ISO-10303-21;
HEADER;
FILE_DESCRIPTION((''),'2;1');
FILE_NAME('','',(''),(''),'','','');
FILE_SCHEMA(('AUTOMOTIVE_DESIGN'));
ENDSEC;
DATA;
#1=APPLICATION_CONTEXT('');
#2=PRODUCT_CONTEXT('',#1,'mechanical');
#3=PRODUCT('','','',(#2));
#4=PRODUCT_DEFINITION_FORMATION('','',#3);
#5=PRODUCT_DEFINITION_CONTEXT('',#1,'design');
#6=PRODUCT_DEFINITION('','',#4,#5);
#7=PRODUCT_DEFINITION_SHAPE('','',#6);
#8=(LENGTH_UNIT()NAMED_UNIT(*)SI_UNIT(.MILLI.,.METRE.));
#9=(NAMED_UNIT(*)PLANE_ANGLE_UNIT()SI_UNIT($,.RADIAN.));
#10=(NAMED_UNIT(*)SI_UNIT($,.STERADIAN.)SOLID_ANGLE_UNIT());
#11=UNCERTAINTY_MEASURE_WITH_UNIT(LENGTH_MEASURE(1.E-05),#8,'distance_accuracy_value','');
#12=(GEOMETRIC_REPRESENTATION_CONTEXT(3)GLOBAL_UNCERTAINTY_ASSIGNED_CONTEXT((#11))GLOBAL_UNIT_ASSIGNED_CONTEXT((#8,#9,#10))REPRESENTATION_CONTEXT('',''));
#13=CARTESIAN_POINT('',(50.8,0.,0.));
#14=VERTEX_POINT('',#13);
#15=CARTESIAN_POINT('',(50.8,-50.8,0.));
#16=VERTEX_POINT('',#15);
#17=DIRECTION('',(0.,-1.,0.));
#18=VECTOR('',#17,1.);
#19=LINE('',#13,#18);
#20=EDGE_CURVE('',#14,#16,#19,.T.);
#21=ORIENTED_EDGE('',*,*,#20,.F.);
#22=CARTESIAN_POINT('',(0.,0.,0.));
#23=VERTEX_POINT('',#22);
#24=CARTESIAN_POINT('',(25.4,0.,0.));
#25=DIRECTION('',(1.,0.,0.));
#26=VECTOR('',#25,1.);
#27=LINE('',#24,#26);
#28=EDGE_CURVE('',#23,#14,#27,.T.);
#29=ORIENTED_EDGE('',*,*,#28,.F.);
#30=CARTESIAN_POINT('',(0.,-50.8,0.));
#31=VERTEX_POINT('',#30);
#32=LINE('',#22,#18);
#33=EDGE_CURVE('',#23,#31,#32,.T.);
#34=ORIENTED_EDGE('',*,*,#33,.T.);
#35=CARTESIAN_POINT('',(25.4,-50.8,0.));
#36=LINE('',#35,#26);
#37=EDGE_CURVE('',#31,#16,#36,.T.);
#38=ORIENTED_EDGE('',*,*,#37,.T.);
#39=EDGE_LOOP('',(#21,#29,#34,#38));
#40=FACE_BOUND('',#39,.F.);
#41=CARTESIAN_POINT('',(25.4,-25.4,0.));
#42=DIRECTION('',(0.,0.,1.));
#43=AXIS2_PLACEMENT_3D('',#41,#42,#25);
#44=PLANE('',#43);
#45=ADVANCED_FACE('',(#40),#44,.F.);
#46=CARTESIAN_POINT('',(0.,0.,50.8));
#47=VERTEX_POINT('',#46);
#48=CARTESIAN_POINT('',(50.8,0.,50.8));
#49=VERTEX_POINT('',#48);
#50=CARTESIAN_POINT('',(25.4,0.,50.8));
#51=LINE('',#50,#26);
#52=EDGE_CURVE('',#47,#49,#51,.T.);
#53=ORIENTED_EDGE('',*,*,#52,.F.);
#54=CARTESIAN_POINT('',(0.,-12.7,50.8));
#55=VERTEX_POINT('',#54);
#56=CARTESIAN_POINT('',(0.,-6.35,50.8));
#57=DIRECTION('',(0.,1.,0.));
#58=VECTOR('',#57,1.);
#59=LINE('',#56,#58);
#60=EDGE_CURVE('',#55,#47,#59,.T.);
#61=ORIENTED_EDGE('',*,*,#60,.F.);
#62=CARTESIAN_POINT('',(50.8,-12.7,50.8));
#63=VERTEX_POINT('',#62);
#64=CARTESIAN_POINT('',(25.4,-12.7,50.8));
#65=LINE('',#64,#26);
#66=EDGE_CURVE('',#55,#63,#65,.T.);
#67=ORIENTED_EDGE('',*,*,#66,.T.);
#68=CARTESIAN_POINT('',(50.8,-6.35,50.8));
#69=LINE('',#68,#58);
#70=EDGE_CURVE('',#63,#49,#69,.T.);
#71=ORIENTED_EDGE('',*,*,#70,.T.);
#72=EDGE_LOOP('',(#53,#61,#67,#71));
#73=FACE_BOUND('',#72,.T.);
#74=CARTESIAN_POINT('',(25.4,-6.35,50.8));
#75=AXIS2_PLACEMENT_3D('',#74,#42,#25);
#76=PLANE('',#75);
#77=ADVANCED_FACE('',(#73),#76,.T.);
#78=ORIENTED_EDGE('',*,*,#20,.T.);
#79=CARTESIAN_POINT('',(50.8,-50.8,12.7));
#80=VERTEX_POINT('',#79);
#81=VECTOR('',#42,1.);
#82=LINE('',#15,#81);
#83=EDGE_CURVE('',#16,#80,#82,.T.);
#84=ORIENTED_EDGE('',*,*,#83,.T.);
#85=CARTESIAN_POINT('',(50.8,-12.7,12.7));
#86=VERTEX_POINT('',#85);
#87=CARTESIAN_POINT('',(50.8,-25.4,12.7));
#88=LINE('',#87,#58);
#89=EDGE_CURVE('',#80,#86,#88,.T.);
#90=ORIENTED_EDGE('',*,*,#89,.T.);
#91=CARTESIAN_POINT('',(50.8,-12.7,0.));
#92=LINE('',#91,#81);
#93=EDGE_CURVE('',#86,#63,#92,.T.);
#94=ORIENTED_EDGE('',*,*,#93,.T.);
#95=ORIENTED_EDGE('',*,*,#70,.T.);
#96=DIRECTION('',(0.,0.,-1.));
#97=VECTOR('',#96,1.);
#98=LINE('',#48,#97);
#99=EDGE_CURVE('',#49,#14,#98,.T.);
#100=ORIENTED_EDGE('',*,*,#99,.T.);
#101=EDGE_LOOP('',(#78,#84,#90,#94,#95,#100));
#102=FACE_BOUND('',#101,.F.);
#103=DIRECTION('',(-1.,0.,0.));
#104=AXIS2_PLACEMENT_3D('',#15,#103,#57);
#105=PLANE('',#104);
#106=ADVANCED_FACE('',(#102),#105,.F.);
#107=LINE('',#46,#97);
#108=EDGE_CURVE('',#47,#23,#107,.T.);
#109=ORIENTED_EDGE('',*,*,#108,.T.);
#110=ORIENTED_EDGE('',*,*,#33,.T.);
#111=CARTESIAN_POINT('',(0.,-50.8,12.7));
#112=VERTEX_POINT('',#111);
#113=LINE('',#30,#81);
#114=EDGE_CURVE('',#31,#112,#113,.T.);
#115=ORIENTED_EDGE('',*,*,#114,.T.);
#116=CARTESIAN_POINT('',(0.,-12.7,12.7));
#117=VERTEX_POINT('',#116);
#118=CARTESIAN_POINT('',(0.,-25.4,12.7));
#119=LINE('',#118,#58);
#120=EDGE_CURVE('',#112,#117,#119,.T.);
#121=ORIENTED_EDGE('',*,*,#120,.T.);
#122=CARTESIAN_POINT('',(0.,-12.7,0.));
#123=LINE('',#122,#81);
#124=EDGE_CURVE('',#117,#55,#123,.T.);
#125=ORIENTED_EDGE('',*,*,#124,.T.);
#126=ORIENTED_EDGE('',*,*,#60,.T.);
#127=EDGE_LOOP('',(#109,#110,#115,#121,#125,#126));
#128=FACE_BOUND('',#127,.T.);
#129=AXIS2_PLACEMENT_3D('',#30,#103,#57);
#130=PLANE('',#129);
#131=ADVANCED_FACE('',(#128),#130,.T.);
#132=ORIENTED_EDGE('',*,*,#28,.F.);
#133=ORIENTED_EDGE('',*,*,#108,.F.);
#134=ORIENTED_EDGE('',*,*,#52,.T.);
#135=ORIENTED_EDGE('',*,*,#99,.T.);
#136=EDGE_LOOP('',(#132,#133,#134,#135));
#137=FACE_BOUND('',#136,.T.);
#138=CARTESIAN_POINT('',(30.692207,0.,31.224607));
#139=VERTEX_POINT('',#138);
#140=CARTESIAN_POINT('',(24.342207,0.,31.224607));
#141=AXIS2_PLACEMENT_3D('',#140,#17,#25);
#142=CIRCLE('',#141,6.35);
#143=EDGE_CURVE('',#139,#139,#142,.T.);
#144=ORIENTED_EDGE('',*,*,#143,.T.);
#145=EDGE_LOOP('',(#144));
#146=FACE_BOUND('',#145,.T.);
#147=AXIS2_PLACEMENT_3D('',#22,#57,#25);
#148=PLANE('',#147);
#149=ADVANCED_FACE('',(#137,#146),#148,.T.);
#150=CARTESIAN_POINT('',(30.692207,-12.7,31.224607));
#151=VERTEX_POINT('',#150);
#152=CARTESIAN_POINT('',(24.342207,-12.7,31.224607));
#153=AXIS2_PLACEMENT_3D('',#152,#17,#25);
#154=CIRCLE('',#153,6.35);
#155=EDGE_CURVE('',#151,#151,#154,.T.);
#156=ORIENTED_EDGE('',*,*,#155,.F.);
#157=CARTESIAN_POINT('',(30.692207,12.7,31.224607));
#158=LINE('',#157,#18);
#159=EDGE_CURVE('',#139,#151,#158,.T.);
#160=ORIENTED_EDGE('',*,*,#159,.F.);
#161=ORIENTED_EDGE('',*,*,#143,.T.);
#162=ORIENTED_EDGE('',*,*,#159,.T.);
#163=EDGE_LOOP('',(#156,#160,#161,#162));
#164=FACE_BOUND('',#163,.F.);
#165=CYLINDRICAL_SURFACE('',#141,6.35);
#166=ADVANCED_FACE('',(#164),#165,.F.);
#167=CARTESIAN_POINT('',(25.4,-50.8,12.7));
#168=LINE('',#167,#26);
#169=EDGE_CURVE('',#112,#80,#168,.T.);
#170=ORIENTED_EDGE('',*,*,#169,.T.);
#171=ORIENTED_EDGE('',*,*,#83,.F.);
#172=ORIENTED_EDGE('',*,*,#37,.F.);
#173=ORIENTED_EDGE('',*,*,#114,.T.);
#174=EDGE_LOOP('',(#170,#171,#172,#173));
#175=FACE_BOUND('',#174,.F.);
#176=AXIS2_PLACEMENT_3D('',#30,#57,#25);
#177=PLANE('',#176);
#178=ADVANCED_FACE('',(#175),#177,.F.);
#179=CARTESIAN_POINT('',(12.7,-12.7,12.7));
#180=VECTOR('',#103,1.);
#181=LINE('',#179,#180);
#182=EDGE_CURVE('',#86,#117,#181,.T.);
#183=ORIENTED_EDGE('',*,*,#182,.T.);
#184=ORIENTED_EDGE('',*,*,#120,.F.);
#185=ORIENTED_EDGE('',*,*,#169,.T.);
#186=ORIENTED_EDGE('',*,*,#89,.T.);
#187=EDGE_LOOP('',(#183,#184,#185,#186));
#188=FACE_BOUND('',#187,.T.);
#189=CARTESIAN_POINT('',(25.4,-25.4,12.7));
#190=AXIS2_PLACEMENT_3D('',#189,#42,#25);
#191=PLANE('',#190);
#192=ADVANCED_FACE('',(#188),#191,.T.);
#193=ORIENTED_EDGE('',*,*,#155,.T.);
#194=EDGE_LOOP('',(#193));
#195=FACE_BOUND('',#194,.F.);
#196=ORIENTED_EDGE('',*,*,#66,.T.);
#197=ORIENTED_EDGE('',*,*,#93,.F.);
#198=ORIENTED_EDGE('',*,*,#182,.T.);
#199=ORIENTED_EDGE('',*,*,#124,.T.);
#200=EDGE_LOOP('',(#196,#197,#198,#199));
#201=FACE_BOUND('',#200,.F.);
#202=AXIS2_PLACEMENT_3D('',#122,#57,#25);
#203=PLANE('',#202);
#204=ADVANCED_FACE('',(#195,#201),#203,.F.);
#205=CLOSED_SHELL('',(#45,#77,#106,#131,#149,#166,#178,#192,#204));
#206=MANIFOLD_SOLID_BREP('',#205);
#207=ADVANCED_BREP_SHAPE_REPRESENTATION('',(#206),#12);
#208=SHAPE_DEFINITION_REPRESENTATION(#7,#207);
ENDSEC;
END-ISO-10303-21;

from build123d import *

# Parameters (mm, degrees)
F0_W     = 50.8
F0_H     = 50.8
F1_DEPTH = 12.7
F2_W     = 50.8
F2_H     = 12.7
F3_DEPTH = 50.8
F4_R     = 6.35
F5_DEPTH = 12.7


with BuildPart() as f1:
    # F0 (on Top) → F1 (new body)
    with BuildSketch(Plane.XY):
        with Locations((25.4, -25.4)):
            Rectangle(F0_W, F0_H)
    extrude(amount=F1_DEPTH)

    # F2 (on Top) → F3 (join)
    with BuildSketch(Plane.XY):
        with Locations((25.4, -6.35)):
            Rectangle(F2_W, F2_H)
    extrude(amount=F3_DEPTH)

    # F4 (on Front) → F5 (cut, symmetric)
    with BuildSketch(Plane.XZ):
        with Locations((24.342207, 31.224607)):
            Circle(F4_R)
    extrude(amount=F5_DEPTH, both=True, mode=Mode.SUBTRACT)


solid = f1.part
